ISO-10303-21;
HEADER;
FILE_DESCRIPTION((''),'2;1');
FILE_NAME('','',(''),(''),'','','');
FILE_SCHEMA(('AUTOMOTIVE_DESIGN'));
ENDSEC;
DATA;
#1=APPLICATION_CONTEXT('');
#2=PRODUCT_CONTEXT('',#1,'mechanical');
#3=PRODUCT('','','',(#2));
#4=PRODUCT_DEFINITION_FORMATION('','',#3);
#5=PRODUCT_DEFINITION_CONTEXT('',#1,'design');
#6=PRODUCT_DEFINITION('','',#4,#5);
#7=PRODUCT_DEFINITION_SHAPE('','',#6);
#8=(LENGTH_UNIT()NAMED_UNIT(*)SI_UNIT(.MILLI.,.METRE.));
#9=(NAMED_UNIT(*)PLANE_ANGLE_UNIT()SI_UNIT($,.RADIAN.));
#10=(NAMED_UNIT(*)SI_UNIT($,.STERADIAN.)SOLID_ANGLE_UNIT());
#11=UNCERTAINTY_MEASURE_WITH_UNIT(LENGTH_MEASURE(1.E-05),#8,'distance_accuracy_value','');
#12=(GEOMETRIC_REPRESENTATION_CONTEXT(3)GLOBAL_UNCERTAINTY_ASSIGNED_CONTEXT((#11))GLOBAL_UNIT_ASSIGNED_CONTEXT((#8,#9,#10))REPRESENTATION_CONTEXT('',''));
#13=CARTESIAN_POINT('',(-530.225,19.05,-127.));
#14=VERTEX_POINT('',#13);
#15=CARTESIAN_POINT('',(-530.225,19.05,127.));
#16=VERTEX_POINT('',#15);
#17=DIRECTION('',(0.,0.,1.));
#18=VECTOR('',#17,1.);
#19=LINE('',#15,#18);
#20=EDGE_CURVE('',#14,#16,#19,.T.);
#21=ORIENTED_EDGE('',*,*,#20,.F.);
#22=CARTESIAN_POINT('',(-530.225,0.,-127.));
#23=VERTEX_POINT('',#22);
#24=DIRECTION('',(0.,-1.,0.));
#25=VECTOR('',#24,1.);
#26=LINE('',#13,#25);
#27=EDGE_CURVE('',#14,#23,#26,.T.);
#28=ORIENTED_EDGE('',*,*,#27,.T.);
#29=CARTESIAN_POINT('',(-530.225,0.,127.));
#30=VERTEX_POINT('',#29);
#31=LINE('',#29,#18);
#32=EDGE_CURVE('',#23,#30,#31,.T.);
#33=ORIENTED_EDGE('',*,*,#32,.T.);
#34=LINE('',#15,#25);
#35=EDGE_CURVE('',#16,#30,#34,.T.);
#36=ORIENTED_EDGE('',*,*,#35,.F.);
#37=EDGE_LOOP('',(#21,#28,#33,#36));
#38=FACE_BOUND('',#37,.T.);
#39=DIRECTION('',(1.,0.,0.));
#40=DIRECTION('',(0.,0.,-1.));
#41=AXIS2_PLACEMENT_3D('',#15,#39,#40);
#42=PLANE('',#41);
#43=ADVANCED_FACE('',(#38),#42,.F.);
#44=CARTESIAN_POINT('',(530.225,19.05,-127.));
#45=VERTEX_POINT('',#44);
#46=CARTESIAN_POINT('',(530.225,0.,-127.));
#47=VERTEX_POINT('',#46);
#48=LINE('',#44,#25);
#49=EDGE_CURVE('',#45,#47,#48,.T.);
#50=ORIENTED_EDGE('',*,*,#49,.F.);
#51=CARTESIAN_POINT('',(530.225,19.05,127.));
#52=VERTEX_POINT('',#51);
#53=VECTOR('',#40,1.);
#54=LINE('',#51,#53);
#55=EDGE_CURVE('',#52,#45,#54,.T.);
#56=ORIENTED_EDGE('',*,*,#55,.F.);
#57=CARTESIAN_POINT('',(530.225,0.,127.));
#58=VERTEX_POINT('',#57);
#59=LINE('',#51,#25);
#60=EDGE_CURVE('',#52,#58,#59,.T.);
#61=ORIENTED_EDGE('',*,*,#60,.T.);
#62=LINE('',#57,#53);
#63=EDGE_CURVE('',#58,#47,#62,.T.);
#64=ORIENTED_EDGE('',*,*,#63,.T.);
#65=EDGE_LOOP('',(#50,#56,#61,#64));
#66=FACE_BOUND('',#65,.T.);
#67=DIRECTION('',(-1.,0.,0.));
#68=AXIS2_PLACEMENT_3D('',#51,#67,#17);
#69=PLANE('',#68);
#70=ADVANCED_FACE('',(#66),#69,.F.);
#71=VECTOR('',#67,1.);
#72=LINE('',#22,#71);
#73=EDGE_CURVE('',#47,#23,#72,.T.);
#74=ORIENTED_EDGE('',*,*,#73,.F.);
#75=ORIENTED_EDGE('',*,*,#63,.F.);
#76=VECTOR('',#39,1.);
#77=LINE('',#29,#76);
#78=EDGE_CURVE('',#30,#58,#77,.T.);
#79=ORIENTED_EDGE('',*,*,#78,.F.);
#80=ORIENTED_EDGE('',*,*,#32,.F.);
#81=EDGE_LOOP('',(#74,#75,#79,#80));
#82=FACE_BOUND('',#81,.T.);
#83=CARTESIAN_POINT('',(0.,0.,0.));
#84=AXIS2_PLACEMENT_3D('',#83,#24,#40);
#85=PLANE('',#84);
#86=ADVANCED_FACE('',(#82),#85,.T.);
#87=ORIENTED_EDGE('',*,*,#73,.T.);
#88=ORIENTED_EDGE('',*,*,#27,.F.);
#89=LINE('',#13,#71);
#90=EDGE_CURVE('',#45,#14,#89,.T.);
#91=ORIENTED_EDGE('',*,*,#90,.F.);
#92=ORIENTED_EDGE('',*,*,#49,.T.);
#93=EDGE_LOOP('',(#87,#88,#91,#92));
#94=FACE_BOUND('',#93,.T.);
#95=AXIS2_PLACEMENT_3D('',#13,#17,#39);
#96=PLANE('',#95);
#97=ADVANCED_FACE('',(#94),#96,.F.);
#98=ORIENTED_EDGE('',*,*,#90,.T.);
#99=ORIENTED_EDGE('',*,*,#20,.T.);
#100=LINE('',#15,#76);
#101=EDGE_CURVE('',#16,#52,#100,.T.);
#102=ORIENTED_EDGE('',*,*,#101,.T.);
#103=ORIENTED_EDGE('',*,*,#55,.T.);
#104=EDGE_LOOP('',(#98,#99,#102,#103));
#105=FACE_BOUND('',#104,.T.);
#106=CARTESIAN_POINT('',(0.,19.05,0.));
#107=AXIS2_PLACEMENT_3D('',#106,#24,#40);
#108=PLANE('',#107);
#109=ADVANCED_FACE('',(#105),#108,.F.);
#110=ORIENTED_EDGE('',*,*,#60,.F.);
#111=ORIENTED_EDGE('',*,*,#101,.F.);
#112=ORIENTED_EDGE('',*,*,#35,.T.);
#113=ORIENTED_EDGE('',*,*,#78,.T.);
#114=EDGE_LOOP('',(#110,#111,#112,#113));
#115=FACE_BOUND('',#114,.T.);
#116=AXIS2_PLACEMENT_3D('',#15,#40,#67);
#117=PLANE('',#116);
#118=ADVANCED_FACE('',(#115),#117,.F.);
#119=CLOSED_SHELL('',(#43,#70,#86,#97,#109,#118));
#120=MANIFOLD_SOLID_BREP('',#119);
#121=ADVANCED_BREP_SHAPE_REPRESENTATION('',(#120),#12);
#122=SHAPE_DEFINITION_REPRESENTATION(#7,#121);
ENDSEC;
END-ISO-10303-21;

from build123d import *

# Parameters (mm, degrees)
SKETCH1_W           = 1060.45
SKETCH1_H           = 254
BOSS_EXTRUDE1_DEPTH = 19.05


with BuildPart() as part:
    # Sketch1 → Boss-Extrude1 (new body)
    with BuildSketch(Plane(origin=(0, 0, 0), x_dir=(1, 0, 0), z_dir=(0, 1, 0))):
        Rectangle(SKETCH1_W, SKETCH1_H)
    extrude(amount=BOSS_EXTRUDE1_DEPTH)


solid = part.part
